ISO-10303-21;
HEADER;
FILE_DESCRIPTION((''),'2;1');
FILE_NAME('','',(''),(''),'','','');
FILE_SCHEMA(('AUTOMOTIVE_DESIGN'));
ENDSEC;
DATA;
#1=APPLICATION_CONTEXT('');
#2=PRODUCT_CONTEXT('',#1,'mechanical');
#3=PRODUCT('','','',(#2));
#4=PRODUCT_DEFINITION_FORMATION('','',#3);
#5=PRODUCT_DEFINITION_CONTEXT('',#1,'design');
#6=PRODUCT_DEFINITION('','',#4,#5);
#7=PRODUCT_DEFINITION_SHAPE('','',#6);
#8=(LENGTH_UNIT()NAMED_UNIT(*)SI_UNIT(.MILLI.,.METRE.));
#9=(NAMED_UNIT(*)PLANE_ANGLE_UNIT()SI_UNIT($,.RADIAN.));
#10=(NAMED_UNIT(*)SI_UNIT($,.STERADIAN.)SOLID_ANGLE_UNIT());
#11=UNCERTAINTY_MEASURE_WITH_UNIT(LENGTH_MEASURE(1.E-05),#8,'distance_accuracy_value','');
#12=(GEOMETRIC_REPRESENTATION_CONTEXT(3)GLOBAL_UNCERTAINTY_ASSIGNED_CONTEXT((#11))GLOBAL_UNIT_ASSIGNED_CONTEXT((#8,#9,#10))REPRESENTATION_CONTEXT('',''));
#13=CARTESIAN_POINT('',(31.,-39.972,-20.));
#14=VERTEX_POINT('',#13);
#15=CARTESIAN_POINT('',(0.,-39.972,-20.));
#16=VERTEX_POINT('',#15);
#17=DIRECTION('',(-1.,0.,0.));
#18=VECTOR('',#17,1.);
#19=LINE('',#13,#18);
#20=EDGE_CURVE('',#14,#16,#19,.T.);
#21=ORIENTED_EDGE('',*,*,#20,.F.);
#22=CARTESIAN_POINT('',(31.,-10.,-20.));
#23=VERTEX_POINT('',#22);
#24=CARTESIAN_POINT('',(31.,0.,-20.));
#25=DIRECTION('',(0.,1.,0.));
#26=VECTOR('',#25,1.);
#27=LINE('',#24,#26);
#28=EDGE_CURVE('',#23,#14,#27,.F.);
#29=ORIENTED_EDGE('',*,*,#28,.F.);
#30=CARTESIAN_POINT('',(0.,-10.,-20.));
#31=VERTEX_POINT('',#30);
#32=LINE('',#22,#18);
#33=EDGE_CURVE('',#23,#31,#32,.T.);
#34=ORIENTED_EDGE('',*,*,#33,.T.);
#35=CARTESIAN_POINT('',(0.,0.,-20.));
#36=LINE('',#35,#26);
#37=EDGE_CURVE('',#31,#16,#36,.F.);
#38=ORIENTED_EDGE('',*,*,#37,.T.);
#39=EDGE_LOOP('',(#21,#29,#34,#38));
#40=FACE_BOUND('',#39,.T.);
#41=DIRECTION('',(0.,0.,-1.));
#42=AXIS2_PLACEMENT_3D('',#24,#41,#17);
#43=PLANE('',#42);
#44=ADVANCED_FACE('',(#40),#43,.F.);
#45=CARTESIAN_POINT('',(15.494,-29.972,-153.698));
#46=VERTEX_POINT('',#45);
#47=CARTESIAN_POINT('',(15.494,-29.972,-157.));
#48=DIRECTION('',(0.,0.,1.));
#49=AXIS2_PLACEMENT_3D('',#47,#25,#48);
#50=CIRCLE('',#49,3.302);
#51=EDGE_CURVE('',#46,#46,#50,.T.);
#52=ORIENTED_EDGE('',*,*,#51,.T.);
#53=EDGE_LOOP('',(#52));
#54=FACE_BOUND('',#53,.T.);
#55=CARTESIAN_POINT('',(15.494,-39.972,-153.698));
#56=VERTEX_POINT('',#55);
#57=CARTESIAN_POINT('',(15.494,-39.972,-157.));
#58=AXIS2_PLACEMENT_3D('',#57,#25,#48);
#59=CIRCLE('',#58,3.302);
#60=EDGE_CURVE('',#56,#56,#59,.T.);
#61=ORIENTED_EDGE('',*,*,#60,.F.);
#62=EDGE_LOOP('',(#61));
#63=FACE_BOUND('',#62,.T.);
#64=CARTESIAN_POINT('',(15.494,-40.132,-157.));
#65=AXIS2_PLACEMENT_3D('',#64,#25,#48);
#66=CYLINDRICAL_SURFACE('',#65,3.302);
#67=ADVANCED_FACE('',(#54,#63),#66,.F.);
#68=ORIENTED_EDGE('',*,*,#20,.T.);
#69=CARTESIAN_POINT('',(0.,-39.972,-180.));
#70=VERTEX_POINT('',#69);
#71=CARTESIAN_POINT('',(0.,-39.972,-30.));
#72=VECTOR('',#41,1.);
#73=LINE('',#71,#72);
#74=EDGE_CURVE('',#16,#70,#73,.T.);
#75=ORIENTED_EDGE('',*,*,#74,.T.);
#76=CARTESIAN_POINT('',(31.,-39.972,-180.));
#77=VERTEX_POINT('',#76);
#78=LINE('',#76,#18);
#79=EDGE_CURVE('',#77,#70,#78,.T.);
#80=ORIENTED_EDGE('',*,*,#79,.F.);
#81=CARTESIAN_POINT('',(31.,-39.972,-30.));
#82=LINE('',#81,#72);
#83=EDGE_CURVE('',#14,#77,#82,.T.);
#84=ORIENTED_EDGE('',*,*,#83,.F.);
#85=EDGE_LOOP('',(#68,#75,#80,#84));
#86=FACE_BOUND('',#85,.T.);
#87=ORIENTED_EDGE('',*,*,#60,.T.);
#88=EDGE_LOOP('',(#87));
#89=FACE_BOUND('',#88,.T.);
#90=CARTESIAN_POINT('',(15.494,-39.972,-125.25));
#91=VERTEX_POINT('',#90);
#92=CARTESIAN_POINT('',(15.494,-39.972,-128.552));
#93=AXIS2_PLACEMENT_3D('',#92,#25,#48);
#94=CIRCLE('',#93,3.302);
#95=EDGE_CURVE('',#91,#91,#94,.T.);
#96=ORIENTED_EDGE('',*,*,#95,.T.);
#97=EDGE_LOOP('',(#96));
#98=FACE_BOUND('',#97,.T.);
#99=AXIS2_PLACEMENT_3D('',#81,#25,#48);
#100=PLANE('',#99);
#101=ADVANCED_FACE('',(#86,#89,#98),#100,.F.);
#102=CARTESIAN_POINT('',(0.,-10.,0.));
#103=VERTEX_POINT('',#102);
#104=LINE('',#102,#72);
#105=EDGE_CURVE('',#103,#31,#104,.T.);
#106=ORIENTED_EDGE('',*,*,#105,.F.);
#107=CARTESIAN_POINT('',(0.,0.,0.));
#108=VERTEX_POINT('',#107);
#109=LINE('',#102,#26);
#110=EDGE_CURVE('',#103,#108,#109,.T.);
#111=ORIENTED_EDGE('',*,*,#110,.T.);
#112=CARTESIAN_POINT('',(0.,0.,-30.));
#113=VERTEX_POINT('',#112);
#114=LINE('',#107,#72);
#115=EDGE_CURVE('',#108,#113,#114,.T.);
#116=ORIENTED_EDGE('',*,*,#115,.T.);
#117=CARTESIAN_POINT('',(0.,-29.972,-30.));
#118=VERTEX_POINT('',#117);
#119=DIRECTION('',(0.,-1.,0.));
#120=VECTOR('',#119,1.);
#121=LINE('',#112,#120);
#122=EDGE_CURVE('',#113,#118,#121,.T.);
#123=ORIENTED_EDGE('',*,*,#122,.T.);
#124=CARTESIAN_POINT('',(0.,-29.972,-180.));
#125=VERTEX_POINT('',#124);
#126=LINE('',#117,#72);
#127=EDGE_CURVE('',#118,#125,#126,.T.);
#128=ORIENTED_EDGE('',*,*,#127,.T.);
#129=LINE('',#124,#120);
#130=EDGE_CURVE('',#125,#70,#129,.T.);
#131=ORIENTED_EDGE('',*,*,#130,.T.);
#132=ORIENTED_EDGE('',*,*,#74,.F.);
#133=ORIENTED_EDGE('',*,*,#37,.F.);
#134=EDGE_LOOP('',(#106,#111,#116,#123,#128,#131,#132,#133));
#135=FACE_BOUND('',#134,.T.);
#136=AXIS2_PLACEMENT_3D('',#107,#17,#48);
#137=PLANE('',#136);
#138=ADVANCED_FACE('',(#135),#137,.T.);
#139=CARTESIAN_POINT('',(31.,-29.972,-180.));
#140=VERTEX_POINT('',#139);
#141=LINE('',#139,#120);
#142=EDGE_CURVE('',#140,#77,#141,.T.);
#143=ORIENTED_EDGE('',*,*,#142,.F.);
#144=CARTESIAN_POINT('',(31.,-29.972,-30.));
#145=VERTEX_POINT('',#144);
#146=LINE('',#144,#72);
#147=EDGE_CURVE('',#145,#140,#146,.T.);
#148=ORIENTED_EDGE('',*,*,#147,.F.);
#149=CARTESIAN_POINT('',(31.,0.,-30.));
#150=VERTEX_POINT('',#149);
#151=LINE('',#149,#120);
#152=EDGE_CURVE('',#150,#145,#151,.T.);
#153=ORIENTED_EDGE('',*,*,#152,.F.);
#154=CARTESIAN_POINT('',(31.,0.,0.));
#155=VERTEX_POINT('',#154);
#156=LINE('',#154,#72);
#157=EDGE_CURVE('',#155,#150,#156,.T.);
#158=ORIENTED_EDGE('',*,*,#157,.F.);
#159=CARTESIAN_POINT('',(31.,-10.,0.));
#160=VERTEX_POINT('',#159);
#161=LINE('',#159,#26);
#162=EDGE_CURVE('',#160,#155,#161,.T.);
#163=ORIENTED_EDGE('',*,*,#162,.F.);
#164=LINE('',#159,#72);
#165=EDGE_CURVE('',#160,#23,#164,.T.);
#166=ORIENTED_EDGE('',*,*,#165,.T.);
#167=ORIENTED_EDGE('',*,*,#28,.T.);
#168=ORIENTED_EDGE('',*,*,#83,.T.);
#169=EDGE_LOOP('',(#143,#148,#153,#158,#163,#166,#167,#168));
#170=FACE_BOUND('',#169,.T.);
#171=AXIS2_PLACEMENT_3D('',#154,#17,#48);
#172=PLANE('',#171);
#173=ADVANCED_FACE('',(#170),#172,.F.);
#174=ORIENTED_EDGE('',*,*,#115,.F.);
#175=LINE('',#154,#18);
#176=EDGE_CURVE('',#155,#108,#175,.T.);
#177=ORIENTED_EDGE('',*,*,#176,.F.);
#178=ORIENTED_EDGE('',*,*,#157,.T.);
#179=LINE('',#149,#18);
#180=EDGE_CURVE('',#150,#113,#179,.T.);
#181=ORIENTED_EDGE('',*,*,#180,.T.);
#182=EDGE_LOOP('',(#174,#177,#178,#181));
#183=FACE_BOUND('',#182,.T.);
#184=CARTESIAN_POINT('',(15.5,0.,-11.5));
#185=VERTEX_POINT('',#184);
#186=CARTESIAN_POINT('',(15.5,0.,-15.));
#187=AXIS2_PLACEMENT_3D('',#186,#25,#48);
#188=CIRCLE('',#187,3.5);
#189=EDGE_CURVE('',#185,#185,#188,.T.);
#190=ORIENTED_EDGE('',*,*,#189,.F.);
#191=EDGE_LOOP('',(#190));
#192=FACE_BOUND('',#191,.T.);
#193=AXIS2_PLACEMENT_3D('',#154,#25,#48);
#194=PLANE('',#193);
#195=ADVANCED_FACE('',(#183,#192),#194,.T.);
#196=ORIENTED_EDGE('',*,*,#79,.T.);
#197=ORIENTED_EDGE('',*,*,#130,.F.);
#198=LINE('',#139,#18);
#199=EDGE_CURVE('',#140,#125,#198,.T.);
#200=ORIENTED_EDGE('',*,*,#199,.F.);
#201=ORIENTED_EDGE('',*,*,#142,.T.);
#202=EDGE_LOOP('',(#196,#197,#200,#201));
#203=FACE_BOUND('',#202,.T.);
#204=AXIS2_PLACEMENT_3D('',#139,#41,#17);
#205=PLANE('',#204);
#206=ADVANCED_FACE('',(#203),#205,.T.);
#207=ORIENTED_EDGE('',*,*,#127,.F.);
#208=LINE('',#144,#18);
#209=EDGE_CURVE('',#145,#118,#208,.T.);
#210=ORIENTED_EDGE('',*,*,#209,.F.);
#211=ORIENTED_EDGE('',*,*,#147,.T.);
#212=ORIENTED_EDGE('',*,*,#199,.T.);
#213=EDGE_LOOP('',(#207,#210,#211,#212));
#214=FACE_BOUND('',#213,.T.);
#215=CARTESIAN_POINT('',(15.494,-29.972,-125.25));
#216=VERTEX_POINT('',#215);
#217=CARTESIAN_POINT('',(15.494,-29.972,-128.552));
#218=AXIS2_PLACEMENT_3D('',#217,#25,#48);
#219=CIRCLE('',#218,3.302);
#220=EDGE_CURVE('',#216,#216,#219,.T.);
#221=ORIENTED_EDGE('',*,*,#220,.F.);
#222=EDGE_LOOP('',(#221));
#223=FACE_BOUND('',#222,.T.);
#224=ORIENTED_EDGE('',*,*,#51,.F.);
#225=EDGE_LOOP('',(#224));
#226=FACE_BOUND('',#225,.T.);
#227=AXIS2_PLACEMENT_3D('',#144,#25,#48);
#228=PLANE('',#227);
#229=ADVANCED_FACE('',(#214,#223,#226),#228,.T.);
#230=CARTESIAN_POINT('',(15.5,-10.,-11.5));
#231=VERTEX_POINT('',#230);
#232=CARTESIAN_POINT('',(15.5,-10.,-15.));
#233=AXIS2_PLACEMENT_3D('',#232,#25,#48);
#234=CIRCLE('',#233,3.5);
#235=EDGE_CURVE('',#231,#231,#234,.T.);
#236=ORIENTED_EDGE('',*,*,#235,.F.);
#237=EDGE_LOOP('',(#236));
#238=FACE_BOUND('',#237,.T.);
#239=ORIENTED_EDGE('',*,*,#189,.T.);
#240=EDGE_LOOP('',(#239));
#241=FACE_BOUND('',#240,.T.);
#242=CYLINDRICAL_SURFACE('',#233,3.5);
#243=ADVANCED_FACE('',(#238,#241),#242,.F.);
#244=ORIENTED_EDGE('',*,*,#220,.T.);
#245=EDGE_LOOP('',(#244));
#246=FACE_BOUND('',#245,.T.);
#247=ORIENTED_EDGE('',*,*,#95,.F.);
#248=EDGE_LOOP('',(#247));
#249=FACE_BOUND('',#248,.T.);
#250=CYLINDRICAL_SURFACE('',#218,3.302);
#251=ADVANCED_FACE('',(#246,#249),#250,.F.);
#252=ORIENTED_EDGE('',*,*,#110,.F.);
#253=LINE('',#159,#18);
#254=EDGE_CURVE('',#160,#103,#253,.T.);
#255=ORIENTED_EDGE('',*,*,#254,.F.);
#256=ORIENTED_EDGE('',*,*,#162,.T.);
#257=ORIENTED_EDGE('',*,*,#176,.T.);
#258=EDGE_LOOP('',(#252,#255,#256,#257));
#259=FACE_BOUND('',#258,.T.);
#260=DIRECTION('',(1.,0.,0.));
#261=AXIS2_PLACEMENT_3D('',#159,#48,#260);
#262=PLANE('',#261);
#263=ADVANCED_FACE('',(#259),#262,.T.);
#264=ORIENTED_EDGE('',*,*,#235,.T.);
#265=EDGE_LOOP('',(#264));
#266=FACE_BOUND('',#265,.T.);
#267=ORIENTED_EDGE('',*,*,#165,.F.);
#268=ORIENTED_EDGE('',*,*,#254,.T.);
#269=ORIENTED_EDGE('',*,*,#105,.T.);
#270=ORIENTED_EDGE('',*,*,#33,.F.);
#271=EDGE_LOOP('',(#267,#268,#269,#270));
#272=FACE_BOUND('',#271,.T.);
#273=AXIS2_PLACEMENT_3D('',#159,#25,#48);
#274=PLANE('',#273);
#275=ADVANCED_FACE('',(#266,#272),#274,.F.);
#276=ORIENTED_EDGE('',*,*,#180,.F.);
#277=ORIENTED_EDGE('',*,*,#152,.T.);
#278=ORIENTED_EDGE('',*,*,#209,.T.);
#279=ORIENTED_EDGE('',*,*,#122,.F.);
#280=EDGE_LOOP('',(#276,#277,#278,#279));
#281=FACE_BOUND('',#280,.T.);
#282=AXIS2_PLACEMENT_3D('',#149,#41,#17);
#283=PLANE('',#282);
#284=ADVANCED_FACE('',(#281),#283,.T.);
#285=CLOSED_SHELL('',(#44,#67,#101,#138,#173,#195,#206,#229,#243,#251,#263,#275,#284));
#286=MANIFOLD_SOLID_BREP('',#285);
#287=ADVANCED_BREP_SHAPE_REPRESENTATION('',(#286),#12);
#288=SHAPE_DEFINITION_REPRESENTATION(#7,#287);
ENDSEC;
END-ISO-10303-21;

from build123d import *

# Parameters (mm, degrees)
EXTRUDE_THIN1_DEPTH            = 31
SKETCH6_R                      = 3.5
CUT_EXTRUDE1_DEPTH             = 10
SKETCH7_R                      = 3.302
CUT_EXTRUDE3_DEPTH             = 10.16
F_97_0_26_DIAMETER_HOLE1_D     = 6.604
F_97_0_26_DIAMETER_HOLE1_DEPTH = 25.4
F_97_0_26_DIAMETER_HOLE1_TIP   = 1.984041764


with BuildPart() as part:
    # Sketch1 → Extrude-Thin1 (new body)
    with BuildSketch(Plane(origin=(0, 0, 0), x_dir=(0, 0, -1), z_dir=(1, 0, 0))):
        Polygon((0, 0), (30, 0), (30, -29.972), (180, -29.972), (180, -39.972), (20, -39.972), (20, -10), (0, -10), align=None)
    extrude(amount=EXTRUDE_THIN1_DEPTH)

    # Sketch6 → Cut-Extrude1 (cut)
    with BuildSketch(Plane(origin=(0, 0, 0), x_dir=(1, 0, 0), z_dir=(0, 1, 0))):
        with Locations(Location((15.5, 15, 0), (0, 0, 270))):
            Circle(SKETCH6_R)
    extrude(amount=-CUT_EXTRUDE1_DEPTH, mode=Mode.SUBTRACT)

    # Sketch7 → Cut-Extrude3 (cut)
    with BuildSketch(Plane(origin=(0, -29.972, 0), x_dir=(1, 0, 0), z_dir=(0, 1, 0))):
        with Locations(Location((15.494, 157, 0), (0, 0, 270))):
            Circle(SKETCH7_R)
    extrude(amount=-CUT_EXTRUDE3_DEPTH, mode=Mode.SUBTRACT)

    # #97 (0.26) Diameter Hole1
    with Locations(Plane(origin=(0, -29.972, 0), x_dir=(1, 0, 0), z_dir=(0, 1, 0))):
        with Locations((15.494, 128.552)):
            Hole(F_97_0_26_DIAMETER_HOLE1_D / 2, depth=F_97_0_26_DIAMETER_HOLE1_DEPTH)
            with Locations((0, 0, -(F_97_0_26_DIAMETER_HOLE1_DEPTH + F_97_0_26_DIAMETER_HOLE1_TIP / 2))):  # 118° drill point
                Cone(0, F_97_0_26_DIAMETER_HOLE1_D / 2, F_97_0_26_DIAMETER_HOLE1_TIP, mode=Mode.SUBTRACT)


solid = part.part
